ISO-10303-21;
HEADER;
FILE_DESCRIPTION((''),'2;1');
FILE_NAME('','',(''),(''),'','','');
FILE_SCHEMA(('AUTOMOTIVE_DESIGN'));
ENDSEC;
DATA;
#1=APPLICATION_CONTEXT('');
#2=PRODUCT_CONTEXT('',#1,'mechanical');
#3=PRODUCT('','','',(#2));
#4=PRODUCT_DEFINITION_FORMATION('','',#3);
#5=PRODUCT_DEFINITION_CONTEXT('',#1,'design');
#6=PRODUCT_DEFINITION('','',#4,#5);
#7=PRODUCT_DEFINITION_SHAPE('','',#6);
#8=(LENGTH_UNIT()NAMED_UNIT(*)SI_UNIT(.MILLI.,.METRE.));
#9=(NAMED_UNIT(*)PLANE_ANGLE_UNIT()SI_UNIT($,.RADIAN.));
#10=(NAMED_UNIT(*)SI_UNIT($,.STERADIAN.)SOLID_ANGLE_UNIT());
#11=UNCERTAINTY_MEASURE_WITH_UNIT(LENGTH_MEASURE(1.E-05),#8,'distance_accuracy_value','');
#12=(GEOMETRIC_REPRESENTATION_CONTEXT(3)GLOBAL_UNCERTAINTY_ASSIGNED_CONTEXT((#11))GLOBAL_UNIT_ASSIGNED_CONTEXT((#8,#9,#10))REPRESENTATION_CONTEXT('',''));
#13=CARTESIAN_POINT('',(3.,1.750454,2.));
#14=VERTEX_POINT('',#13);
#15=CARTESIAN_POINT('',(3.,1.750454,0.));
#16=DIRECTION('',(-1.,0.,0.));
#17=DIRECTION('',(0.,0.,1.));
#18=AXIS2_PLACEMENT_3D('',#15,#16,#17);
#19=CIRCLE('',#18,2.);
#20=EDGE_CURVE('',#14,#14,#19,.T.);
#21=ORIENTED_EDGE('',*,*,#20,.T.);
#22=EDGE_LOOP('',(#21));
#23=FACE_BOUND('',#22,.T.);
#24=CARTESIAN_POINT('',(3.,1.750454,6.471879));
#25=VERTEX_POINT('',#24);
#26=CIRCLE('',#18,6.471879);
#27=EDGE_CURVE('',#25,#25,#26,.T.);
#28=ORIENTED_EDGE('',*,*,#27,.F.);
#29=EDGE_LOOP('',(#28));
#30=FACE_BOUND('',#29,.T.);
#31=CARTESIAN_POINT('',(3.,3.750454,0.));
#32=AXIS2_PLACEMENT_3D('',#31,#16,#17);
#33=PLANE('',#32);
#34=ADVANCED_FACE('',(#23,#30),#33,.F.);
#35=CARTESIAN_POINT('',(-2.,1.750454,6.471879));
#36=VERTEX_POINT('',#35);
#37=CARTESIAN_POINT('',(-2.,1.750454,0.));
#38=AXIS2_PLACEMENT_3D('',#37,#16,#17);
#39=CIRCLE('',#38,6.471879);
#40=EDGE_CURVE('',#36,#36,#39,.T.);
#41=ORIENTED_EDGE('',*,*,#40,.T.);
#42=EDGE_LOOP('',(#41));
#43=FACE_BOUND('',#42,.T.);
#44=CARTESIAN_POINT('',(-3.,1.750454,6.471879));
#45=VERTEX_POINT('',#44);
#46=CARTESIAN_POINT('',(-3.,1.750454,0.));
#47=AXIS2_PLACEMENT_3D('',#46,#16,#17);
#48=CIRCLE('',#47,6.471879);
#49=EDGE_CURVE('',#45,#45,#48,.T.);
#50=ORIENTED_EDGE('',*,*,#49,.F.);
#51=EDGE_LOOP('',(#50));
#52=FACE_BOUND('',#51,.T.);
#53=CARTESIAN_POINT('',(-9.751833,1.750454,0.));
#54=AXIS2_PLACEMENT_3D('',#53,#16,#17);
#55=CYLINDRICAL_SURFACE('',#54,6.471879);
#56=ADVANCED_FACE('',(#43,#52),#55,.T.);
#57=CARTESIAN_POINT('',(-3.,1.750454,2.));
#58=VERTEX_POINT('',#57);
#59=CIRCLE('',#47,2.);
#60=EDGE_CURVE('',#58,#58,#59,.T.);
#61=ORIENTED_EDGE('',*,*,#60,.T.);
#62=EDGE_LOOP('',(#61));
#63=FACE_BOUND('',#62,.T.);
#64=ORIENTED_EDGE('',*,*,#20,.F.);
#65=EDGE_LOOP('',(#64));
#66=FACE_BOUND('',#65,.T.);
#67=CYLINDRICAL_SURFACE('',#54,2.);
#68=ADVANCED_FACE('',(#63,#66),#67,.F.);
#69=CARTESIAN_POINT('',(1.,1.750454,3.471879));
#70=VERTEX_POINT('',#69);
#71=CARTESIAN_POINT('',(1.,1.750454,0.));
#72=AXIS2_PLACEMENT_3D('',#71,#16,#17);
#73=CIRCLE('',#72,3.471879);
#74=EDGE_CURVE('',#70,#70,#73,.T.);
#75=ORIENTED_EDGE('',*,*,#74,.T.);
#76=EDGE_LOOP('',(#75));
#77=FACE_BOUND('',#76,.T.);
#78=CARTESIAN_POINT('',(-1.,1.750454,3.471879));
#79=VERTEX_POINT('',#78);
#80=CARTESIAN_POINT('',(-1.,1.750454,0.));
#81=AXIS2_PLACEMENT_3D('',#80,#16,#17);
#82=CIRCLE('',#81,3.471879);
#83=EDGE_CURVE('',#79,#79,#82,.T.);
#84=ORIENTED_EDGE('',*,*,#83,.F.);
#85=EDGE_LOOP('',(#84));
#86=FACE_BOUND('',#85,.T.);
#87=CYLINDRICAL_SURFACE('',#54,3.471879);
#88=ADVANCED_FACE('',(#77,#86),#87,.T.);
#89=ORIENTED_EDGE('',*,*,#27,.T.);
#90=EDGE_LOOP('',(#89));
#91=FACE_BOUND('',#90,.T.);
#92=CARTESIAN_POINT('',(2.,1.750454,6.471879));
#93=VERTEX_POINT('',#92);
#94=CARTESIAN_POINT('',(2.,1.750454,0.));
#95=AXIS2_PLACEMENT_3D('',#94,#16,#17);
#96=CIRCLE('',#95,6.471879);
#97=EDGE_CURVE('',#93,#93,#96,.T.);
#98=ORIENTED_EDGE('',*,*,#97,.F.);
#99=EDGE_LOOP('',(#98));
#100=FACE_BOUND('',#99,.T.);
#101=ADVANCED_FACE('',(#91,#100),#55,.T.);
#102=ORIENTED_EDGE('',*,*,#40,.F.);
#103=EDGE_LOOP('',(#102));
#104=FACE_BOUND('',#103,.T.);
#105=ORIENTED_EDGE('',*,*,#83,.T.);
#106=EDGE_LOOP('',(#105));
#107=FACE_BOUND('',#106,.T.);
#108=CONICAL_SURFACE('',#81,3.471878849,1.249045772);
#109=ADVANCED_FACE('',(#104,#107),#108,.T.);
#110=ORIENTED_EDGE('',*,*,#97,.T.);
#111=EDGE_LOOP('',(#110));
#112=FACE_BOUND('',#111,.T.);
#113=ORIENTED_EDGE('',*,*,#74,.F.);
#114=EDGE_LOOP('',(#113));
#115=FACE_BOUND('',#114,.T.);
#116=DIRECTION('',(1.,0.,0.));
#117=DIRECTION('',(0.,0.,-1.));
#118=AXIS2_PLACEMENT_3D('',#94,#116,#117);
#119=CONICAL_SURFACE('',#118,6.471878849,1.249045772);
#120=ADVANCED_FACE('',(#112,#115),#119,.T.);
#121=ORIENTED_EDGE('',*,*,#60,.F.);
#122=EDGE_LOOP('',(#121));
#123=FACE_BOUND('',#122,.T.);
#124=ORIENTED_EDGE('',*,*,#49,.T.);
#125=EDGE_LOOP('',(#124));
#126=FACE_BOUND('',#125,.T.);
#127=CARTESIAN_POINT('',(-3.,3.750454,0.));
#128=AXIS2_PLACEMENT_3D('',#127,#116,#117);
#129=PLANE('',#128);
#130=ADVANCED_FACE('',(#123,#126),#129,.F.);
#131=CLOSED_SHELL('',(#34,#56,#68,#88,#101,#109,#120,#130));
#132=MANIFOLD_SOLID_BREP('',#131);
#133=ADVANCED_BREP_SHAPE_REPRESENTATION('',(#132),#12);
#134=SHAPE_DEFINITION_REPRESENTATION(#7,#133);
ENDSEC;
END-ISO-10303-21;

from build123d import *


with BuildPart() as part:
    # Esquisse1 → Révolution1 (revolve)
    with BuildSketch(Plane.XY, mode=Mode.PRIVATE) as r_volution1_sk:
        Polygon((-3, 3.750453515), (3, 3.750453515), (3, 8.222332364), (2, 8.222332364), (1, 5.222332364), (-1, 5.222332364), (-2, 8.222332364), (-3, 8.222332364), align=None)
    revolve(r_volution1_sk.sketch.rotate(Axis((-9.751832838, 1.750453515, 0), (1, 0, 0)), 90), axis=Axis((-9.751832838, 1.750453515, 0), (1, 0, 0)))


solid = part.part
